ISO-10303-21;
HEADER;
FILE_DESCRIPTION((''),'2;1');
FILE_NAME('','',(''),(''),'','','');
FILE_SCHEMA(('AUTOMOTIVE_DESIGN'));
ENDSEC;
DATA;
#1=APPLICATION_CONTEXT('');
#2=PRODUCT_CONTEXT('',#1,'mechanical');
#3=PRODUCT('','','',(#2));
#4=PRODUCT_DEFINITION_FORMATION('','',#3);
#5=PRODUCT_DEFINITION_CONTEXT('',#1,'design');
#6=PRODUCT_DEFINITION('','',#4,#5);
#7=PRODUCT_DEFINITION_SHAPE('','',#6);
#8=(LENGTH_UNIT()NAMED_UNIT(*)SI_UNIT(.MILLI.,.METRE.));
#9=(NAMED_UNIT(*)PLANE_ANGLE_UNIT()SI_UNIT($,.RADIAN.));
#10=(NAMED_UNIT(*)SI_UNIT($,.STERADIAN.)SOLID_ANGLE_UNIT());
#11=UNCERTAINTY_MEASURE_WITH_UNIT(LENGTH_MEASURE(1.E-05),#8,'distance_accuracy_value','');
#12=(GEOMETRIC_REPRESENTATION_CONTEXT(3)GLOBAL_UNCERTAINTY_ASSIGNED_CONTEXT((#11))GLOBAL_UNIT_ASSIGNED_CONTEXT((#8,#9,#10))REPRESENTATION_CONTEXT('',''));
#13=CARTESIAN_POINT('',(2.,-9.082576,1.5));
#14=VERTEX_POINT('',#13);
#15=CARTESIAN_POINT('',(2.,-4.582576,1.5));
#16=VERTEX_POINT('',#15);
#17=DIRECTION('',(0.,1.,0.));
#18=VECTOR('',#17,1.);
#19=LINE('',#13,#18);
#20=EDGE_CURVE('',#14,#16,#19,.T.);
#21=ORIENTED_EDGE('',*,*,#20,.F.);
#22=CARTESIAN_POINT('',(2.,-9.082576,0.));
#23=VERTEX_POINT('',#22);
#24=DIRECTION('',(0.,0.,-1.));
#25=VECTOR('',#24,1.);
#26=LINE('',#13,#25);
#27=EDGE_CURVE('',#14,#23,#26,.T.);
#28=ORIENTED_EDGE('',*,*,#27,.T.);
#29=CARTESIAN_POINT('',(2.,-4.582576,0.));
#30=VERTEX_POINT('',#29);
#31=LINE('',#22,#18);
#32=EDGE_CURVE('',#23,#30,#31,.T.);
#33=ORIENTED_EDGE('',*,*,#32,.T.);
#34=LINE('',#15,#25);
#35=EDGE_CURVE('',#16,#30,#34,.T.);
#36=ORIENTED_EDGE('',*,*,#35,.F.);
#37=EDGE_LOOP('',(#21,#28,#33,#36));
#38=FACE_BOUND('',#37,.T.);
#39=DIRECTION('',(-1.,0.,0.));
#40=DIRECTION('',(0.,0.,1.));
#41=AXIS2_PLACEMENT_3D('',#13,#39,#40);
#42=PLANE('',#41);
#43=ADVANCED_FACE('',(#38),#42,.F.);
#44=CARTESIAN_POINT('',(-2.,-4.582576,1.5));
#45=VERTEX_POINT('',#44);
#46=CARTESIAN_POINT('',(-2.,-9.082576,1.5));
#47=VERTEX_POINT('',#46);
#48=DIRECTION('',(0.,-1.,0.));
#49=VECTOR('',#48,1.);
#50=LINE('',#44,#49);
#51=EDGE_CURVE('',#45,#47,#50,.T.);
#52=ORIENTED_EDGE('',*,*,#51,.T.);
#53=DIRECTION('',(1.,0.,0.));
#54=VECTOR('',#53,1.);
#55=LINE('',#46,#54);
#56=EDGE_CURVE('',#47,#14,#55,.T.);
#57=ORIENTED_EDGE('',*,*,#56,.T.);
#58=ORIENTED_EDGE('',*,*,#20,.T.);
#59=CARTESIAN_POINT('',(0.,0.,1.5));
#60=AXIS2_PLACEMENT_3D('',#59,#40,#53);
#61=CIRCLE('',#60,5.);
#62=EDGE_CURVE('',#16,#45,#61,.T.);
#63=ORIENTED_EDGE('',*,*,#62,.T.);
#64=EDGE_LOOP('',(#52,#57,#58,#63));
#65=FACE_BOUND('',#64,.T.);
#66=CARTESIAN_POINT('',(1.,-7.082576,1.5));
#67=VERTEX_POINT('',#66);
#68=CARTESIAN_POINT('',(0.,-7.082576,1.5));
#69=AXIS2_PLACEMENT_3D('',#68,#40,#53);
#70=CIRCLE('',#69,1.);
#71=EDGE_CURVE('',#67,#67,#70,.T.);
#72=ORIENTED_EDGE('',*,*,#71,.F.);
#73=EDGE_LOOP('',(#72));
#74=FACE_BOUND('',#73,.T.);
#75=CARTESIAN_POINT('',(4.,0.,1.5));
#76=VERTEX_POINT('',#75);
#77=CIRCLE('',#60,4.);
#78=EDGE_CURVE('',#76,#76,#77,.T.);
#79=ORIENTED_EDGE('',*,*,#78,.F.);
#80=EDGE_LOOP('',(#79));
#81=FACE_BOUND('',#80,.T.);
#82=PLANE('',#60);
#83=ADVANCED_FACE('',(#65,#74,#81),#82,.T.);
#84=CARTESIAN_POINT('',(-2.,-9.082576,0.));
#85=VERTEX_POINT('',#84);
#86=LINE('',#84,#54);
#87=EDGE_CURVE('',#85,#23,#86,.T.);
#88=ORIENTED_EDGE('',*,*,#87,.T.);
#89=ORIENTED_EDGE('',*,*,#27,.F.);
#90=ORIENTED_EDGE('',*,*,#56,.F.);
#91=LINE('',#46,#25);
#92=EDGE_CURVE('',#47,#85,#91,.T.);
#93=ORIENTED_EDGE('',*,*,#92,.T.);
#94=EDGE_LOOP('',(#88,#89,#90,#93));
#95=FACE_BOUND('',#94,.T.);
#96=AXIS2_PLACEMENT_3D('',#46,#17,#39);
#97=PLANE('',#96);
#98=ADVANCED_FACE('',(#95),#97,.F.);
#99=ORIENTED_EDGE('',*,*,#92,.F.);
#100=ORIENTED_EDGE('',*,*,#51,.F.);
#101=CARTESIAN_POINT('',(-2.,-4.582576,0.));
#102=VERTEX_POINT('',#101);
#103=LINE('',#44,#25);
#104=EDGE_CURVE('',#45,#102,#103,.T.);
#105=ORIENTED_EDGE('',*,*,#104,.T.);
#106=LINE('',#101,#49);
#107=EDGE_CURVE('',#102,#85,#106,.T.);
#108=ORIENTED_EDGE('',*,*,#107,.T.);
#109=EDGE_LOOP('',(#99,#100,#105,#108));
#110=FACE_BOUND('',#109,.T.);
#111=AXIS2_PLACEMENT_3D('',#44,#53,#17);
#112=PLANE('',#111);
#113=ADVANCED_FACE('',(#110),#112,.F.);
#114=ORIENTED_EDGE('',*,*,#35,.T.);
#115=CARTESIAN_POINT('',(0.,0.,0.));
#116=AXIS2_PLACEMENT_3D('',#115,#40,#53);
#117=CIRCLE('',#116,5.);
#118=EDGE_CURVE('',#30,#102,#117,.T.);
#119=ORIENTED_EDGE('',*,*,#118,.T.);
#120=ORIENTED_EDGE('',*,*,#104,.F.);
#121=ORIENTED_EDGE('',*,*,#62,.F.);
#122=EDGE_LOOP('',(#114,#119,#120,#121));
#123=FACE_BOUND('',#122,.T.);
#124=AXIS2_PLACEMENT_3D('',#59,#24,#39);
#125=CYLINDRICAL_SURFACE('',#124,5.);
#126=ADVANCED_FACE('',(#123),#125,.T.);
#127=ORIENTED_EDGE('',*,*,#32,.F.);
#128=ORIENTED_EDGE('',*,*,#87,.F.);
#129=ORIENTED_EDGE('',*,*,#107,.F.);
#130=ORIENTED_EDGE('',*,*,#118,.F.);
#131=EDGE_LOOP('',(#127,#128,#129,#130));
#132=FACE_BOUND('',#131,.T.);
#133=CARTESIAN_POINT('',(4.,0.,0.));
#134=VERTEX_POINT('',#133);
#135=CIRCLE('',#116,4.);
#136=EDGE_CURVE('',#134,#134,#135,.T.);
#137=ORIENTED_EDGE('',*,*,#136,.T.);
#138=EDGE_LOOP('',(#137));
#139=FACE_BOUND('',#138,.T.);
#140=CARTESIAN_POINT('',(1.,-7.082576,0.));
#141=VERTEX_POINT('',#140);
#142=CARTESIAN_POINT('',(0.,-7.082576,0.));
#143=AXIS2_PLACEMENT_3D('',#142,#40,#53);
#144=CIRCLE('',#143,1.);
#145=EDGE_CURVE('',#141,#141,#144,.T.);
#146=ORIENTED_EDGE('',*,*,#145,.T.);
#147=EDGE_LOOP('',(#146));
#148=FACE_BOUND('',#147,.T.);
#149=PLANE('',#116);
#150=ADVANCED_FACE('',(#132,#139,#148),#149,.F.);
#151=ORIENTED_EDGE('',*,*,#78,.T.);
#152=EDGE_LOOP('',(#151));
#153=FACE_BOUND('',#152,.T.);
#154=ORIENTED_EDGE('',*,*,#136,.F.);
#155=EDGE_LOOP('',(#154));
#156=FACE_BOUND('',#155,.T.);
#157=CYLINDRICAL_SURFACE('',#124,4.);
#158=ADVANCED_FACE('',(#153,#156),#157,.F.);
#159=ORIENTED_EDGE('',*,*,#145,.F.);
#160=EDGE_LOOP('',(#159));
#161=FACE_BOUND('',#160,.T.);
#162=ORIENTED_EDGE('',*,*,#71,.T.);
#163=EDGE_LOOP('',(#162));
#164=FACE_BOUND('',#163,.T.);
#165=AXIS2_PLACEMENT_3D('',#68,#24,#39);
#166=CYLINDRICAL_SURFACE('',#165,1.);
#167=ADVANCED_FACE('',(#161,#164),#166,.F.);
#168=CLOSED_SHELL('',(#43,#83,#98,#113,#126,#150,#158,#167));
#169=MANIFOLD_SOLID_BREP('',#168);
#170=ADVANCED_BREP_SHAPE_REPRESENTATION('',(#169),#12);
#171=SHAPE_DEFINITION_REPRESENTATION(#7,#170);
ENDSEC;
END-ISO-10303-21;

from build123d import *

# Parameters (mm, degrees)
SKETCH_1_R      = 1
SKETCH_1_R_2    = 4
EXTRUDE_1_DEPTH = 1.5


with BuildPart() as part:
    # 草图1 → 凸台-拉伸1 (new body)
    with BuildSketch(Plane.XY):
        with BuildLine():
            Line((-2, -9.082575695), (2, -9.082575695))
            Line((2, -9.082575695), (2, -4.582575695))
            ThreePointArc((2, -4.582575695), (0, 5), (-2, -4.582575695))
            Line((-2, -4.582575695), (-2, -9.082575695))
        make_face()
        with Locations((0, -7.082575695)):
            Circle(SKETCH_1_R, mode=Mode.SUBTRACT)
        Circle(SKETCH_1_R_2, mode=Mode.SUBTRACT)
    extrude(amount=EXTRUDE_1_DEPTH)


solid = part.part
